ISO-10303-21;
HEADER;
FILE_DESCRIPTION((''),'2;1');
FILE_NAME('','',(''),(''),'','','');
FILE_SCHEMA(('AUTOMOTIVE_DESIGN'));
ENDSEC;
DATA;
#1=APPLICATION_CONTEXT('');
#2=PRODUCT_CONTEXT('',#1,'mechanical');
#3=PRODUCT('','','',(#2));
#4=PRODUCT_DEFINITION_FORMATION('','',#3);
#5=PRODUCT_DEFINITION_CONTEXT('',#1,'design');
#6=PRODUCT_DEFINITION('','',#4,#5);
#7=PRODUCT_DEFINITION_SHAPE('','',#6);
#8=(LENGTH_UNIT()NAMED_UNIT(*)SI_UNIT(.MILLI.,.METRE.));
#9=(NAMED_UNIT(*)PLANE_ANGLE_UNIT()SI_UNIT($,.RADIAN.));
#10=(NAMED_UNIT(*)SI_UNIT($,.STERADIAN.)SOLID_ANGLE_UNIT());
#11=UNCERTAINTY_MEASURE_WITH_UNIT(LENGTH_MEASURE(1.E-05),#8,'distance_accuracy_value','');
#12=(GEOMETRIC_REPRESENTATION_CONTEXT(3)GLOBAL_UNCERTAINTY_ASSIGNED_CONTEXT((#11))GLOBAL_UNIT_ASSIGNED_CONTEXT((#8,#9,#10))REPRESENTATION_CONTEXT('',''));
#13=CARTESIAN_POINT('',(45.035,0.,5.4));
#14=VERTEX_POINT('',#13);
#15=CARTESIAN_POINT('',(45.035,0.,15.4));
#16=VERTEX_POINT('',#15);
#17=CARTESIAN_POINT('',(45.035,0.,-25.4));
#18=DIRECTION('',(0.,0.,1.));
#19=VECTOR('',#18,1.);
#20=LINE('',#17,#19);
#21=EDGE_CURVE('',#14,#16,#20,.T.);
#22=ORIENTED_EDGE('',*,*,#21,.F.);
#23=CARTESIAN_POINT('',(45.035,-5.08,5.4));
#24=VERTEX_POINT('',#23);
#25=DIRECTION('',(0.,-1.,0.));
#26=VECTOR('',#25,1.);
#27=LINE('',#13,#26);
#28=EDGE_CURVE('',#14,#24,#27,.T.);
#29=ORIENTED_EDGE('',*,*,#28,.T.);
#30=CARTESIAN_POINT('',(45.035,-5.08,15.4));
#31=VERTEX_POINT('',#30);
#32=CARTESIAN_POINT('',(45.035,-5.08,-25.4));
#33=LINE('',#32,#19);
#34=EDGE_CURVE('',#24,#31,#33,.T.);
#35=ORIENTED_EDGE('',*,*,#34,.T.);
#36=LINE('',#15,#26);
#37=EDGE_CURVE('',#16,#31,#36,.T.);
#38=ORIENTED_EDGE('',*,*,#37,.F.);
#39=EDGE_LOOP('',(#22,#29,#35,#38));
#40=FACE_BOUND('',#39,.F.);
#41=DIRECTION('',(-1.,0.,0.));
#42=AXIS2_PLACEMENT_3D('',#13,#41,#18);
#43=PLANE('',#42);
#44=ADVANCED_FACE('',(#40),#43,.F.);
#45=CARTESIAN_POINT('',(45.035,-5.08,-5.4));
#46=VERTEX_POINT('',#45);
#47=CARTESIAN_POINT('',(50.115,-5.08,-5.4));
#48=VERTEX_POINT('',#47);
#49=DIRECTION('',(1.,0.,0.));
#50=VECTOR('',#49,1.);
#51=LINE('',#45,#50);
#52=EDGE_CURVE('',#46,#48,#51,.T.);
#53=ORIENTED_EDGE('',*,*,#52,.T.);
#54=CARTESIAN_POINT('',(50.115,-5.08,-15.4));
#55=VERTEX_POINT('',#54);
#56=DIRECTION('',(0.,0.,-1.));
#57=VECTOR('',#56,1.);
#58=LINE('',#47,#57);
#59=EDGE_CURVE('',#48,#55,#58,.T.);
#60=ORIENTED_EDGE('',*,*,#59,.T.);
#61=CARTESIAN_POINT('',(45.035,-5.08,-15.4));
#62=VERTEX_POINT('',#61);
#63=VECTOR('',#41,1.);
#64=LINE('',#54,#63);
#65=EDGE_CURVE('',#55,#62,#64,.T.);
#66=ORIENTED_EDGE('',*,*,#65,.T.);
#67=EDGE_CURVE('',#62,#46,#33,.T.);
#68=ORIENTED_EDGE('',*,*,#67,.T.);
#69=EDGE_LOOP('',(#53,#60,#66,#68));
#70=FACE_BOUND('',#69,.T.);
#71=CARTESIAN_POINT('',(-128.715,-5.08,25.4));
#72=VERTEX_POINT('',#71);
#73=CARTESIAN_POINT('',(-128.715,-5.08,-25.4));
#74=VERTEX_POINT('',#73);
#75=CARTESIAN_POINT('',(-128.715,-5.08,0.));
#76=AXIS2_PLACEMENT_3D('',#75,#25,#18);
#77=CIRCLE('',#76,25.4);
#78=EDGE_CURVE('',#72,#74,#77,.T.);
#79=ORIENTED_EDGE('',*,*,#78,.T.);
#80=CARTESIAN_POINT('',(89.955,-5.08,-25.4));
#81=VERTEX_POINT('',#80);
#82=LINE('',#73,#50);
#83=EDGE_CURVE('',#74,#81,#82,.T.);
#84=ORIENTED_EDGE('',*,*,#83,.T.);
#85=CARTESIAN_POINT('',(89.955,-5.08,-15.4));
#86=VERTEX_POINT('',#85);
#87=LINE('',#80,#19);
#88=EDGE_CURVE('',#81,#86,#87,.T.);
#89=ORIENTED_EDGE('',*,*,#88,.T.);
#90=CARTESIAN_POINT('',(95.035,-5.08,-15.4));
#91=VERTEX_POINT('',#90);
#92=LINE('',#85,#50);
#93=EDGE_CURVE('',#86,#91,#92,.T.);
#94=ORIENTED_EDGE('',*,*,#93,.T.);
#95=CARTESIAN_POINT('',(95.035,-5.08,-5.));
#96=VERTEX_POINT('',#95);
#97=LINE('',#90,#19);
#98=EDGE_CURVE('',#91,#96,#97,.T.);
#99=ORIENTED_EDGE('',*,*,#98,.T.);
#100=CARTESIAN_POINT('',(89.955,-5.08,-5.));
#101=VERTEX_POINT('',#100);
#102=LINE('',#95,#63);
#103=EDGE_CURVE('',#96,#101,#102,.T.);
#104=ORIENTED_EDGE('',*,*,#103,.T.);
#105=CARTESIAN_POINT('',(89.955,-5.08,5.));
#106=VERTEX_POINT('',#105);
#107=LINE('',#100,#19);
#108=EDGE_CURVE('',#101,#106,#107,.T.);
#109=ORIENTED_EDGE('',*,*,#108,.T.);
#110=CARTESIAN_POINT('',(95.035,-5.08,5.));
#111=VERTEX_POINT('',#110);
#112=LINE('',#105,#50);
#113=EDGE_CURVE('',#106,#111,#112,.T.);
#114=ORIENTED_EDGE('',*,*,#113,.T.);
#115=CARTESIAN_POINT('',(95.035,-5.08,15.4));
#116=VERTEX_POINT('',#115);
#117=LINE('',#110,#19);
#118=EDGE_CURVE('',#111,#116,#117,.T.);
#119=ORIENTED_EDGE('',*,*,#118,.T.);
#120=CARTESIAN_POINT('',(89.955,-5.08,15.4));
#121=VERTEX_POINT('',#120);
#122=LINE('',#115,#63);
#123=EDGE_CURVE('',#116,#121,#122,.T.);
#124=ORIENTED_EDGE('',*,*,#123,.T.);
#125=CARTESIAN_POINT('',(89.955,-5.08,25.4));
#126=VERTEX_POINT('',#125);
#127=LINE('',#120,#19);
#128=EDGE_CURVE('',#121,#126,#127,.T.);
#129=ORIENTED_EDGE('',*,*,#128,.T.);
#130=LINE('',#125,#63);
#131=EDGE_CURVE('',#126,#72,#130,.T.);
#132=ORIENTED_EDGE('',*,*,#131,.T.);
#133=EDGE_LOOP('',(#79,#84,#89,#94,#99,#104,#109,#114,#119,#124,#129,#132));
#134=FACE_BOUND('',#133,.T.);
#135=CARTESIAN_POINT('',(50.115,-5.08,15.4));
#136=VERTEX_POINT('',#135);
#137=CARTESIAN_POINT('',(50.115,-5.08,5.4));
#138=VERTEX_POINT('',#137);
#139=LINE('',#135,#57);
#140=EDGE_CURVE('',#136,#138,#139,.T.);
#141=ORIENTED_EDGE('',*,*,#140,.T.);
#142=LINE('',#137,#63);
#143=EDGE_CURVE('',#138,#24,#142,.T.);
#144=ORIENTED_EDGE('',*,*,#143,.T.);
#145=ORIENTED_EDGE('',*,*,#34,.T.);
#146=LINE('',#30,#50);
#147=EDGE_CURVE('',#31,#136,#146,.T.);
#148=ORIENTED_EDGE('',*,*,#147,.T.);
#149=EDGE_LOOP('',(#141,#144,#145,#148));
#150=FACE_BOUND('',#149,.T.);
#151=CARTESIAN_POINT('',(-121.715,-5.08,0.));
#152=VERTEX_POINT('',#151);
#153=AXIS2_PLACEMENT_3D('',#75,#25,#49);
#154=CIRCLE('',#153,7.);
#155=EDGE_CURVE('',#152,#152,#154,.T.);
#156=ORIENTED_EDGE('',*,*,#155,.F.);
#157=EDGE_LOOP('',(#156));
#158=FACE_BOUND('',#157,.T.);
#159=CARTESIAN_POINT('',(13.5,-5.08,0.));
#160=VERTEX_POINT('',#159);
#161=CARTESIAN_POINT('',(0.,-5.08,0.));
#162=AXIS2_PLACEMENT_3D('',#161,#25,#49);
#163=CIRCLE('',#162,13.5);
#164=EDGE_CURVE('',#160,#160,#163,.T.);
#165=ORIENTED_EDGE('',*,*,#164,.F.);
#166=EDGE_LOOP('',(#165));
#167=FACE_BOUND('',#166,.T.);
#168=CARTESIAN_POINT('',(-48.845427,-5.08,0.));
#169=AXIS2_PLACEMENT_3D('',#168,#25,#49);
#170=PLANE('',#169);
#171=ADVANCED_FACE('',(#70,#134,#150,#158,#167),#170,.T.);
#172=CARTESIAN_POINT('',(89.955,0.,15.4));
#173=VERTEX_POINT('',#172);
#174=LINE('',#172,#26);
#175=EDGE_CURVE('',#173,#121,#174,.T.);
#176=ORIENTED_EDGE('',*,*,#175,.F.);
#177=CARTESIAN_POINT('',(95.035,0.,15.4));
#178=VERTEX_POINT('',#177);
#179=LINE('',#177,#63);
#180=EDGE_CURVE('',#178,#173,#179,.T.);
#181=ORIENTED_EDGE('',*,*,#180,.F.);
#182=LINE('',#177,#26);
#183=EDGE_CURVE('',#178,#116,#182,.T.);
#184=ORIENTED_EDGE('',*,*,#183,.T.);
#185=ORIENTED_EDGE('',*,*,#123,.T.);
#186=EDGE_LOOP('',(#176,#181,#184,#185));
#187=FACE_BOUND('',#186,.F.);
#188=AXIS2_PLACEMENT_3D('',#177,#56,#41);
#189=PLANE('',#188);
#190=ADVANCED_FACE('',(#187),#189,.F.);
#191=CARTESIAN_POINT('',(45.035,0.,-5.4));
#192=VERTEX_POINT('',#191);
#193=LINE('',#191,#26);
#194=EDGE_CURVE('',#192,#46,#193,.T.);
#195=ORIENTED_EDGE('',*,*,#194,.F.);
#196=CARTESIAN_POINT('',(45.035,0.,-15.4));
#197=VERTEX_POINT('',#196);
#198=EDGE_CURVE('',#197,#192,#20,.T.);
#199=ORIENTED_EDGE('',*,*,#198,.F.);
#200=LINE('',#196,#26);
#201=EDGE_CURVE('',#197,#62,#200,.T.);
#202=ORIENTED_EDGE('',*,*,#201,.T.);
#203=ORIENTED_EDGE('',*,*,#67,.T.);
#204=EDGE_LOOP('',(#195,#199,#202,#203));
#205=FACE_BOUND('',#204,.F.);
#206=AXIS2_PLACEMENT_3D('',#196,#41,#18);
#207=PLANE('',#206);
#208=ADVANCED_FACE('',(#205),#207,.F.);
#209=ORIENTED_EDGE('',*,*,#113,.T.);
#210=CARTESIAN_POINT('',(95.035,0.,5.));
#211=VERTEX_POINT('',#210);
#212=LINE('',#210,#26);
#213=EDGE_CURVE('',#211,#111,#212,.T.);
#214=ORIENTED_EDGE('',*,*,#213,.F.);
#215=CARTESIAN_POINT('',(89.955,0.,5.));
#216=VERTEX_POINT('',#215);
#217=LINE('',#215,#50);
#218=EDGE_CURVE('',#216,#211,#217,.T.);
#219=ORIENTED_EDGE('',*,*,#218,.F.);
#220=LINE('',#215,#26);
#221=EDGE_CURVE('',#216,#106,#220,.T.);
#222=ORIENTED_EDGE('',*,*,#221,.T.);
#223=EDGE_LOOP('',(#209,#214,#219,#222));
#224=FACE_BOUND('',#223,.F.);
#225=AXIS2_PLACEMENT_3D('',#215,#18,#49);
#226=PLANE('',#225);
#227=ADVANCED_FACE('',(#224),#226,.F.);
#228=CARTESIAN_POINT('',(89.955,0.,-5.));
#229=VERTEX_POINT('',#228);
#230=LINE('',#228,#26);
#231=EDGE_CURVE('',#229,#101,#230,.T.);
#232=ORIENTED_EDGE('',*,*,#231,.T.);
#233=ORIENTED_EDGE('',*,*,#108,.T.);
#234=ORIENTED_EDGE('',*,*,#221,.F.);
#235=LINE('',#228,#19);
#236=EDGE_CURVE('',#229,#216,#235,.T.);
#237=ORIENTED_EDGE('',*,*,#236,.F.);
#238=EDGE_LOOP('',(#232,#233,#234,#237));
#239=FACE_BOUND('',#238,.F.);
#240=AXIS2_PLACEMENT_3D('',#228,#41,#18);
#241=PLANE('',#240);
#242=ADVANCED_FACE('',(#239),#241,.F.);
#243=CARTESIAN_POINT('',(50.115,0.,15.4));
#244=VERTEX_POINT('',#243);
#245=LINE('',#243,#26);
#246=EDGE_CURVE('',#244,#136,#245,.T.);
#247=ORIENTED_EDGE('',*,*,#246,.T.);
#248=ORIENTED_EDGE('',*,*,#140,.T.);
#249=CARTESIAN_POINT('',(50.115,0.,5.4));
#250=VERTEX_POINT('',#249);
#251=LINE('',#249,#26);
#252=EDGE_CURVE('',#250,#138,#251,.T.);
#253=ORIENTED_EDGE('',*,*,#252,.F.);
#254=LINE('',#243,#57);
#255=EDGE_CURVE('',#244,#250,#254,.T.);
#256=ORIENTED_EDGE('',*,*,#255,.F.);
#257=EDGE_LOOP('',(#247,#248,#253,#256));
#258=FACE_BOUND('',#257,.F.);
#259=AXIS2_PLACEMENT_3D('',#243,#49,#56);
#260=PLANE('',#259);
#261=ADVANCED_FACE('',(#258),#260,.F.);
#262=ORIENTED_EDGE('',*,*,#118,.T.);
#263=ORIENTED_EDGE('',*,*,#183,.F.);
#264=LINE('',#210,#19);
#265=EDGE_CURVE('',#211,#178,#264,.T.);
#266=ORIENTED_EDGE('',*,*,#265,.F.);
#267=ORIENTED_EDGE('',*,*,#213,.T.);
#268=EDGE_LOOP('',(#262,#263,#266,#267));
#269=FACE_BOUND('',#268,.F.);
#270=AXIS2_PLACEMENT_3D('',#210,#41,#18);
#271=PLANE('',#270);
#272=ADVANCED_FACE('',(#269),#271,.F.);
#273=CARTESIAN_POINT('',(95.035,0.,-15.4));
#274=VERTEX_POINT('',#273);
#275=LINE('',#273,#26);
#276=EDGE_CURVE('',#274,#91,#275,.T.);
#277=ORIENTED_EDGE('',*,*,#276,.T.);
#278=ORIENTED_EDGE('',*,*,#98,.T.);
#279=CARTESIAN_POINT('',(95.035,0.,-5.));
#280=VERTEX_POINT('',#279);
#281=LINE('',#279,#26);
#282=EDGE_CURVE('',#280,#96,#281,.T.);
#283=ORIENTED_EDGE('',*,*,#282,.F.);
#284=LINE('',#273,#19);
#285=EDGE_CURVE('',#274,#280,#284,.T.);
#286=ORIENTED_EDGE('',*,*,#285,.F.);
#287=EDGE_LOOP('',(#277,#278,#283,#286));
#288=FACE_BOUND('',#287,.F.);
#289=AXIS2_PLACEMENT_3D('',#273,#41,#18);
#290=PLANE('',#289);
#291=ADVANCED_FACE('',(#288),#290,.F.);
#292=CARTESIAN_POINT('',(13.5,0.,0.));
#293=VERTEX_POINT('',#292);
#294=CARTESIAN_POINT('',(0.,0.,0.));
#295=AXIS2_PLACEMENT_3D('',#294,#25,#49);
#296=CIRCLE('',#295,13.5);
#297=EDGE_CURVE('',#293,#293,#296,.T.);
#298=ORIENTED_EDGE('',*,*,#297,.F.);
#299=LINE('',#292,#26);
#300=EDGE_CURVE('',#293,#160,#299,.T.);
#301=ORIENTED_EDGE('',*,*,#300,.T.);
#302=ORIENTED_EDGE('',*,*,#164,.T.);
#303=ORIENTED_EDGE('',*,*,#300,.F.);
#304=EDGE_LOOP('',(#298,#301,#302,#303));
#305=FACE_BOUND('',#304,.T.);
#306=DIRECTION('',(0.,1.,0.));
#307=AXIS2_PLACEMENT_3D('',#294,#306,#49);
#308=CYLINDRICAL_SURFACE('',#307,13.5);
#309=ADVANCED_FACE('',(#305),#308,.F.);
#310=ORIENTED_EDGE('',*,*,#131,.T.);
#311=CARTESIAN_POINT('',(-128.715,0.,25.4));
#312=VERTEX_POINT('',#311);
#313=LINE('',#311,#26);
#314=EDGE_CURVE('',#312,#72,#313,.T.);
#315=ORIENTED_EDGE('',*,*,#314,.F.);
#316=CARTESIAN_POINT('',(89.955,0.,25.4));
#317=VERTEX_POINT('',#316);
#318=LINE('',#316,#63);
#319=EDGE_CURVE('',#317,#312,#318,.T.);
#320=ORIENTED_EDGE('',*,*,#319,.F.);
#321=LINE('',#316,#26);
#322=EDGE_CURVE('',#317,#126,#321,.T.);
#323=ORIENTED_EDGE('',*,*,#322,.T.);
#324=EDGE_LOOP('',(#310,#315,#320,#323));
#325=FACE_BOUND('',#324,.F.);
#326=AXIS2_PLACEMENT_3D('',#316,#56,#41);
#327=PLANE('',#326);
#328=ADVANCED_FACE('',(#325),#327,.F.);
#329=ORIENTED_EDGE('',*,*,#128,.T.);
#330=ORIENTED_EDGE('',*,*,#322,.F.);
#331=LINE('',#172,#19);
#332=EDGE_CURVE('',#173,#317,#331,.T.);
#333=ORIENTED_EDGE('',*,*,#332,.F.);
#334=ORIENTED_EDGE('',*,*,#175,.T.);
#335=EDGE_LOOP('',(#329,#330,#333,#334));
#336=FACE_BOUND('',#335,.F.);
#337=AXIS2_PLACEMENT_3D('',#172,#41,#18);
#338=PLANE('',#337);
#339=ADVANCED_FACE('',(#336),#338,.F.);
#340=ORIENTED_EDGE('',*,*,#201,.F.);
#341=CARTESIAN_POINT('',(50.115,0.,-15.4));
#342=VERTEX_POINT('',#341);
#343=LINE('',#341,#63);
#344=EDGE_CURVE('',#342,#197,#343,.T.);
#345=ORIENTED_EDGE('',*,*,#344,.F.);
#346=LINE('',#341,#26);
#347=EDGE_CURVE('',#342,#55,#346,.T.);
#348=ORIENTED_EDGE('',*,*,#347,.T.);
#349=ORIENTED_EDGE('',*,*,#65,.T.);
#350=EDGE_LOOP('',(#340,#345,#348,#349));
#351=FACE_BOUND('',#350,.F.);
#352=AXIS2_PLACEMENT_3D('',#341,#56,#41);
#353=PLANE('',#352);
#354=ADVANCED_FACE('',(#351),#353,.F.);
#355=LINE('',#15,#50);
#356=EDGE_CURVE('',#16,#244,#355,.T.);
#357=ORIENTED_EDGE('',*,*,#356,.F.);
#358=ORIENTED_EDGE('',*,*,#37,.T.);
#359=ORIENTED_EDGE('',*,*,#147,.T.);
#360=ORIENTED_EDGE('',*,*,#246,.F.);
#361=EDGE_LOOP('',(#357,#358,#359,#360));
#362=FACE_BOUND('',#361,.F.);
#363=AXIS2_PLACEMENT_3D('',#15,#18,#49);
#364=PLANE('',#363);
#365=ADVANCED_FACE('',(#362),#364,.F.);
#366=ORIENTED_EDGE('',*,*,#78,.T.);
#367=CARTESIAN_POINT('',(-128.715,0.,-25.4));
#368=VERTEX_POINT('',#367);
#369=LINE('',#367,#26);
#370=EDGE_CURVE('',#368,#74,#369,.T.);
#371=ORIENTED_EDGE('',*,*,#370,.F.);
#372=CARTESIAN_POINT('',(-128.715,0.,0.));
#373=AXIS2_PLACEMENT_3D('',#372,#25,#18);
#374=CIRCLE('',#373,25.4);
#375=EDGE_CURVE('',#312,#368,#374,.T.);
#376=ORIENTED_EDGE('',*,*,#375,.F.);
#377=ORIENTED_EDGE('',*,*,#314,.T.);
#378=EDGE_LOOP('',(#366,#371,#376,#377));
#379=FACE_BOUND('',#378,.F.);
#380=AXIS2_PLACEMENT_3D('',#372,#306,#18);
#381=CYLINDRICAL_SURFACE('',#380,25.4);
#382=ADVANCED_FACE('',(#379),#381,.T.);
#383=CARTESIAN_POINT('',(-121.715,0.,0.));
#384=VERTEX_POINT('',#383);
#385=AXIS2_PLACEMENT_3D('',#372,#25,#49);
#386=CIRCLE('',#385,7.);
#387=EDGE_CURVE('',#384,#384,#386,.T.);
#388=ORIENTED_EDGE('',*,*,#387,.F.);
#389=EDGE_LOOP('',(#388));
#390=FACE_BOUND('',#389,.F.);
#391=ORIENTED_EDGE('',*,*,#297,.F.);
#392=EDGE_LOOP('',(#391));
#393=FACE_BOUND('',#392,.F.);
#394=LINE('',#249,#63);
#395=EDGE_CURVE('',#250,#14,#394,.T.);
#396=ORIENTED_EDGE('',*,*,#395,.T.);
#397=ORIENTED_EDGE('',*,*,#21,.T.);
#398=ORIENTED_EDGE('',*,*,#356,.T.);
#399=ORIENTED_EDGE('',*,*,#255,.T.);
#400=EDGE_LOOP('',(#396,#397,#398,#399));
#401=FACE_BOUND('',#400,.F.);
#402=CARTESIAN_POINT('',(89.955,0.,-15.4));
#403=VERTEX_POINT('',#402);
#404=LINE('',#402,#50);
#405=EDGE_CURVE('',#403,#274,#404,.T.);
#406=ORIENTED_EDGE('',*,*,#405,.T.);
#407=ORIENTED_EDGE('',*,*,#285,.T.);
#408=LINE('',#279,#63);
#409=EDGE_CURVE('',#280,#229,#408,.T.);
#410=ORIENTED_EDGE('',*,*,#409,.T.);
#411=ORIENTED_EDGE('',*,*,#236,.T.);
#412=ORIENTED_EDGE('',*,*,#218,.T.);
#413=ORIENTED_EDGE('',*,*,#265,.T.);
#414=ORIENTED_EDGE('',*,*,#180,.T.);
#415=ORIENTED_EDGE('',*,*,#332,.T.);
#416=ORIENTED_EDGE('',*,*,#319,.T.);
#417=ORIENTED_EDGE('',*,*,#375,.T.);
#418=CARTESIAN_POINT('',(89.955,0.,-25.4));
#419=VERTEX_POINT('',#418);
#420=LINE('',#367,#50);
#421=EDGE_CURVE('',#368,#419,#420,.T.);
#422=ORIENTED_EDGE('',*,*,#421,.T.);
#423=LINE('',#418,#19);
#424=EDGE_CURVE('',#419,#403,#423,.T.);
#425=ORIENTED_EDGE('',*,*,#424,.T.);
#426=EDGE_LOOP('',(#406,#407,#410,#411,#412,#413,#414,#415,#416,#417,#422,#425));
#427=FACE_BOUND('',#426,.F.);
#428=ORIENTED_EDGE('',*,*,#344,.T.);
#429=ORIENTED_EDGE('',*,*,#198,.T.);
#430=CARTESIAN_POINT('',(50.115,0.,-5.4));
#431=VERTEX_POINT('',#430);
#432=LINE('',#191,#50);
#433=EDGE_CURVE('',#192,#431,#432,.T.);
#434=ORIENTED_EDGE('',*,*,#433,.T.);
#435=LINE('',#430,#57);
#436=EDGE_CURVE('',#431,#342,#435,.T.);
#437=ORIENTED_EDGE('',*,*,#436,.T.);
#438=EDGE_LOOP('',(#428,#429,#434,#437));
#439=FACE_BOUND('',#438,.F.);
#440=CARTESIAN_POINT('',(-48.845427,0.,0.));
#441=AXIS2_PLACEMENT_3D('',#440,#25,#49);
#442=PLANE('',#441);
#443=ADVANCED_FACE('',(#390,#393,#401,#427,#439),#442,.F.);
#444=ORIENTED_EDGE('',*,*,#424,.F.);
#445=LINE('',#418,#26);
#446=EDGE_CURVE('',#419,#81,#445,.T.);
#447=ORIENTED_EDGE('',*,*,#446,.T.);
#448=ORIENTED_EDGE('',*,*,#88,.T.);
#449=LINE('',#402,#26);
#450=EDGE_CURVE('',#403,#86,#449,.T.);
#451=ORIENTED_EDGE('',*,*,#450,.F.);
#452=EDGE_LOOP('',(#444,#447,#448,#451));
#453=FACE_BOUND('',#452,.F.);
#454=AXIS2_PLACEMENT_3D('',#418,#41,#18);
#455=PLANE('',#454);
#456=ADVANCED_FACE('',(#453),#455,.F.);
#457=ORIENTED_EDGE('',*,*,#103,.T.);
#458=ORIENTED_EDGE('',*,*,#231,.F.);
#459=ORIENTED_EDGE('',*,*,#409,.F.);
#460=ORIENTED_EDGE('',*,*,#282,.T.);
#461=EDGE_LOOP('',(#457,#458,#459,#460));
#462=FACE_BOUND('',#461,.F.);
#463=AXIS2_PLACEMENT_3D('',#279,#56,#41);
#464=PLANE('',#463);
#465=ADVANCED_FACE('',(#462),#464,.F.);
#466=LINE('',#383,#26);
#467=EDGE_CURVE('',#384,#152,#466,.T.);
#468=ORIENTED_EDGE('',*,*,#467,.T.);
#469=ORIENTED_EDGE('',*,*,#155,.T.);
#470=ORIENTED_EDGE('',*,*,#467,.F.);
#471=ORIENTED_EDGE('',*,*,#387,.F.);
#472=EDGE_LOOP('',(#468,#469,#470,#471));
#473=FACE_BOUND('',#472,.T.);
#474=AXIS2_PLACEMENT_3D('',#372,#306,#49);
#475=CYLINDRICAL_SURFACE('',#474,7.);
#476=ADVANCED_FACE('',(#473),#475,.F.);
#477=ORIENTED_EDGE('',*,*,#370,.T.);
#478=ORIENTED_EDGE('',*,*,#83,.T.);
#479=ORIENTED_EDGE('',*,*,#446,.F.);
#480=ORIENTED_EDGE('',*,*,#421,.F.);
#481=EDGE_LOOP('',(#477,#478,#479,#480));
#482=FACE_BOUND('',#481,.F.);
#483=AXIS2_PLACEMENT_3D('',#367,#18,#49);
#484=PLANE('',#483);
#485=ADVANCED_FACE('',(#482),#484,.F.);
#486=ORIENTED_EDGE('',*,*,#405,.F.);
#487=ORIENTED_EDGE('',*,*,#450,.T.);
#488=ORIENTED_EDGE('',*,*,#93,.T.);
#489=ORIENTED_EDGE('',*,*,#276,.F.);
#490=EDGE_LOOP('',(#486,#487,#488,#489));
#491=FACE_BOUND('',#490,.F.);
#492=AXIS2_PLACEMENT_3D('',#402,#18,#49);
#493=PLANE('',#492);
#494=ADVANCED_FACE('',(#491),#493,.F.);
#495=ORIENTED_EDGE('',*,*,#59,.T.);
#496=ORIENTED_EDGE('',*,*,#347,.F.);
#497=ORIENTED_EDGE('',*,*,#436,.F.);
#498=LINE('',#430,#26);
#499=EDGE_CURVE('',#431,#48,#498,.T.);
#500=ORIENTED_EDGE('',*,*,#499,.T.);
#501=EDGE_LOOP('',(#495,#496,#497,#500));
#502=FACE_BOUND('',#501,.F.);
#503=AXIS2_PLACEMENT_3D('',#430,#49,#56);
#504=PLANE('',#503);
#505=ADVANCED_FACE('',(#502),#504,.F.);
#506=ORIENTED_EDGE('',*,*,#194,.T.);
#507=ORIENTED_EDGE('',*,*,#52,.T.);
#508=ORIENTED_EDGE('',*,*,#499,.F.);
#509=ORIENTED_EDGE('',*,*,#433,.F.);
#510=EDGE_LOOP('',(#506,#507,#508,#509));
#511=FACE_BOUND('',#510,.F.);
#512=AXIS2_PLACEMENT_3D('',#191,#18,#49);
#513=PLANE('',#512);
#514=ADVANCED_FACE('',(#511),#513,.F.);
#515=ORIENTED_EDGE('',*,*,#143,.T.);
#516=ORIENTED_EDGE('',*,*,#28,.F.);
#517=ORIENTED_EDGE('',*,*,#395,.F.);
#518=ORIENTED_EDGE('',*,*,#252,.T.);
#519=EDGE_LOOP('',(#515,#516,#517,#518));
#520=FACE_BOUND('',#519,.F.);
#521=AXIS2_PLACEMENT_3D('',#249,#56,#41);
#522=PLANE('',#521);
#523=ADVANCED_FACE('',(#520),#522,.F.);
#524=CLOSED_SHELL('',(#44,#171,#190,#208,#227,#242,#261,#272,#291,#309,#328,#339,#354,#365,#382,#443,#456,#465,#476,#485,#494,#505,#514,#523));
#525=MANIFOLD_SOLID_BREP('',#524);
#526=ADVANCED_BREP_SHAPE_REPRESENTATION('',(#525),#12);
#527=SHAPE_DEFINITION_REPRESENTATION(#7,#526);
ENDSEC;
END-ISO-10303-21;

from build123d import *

# Parameters (mm, degrees)
F0_R     = 7
F0_R_2   = 13.5
F1_DEPTH = 5.08


with BuildPart() as f1:
    # F0 (on Front) → F1 (new body)
    with BuildSketch(Plane.XZ):
        with BuildLine():
            Line((0, 25.4), (-128.715, 25.4))
            ThreePointArc((-128.715, 25.4), (-154.115, 0), (-128.715, -25.4))
            Line((-128.715, -25.4), (0, -25.4))
            Line((0, -25.4), (45.035, -25.4))
            Line((45.035, -25.4), (45.035, -15.4))
            Line((45.035, -15.4), (45.035, -5.4))
            Line((45.035, -5.4), (45.035, 5.4))
            Line((45.035, 5.4), (45.035, 15.4))
            Line((45.035, 15.4), (45.035, 25.4))
            Line((45.035, 25.4), (0, 25.4))
        make_face()
        with Locations((-128.715, 0)):
            Circle(F0_R, mode=Mode.SUBTRACT)
        Circle(F0_R_2, mode=Mode.SUBTRACT)
        Polygon((89.955, 25.4), (45.035, 25.4), (45.035, 15.4), (50.115, 15.4), (50.115, 5.4), (45.035, 5.4), (45.035, -5.4), (50.115, -5.4), (50.115, -15.4), (45.035, -15.4), (45.035, -25.4), (89.955, -25.4), (89.955, -15.4), (95.035, -15.4), (95.035, -5), (89.955, -5), (89.955, 5), (95.035, 5), (95.035, 15.4), (89.955, 15.4), align=None)
    extrude(amount=F1_DEPTH)


solid = f1.part
